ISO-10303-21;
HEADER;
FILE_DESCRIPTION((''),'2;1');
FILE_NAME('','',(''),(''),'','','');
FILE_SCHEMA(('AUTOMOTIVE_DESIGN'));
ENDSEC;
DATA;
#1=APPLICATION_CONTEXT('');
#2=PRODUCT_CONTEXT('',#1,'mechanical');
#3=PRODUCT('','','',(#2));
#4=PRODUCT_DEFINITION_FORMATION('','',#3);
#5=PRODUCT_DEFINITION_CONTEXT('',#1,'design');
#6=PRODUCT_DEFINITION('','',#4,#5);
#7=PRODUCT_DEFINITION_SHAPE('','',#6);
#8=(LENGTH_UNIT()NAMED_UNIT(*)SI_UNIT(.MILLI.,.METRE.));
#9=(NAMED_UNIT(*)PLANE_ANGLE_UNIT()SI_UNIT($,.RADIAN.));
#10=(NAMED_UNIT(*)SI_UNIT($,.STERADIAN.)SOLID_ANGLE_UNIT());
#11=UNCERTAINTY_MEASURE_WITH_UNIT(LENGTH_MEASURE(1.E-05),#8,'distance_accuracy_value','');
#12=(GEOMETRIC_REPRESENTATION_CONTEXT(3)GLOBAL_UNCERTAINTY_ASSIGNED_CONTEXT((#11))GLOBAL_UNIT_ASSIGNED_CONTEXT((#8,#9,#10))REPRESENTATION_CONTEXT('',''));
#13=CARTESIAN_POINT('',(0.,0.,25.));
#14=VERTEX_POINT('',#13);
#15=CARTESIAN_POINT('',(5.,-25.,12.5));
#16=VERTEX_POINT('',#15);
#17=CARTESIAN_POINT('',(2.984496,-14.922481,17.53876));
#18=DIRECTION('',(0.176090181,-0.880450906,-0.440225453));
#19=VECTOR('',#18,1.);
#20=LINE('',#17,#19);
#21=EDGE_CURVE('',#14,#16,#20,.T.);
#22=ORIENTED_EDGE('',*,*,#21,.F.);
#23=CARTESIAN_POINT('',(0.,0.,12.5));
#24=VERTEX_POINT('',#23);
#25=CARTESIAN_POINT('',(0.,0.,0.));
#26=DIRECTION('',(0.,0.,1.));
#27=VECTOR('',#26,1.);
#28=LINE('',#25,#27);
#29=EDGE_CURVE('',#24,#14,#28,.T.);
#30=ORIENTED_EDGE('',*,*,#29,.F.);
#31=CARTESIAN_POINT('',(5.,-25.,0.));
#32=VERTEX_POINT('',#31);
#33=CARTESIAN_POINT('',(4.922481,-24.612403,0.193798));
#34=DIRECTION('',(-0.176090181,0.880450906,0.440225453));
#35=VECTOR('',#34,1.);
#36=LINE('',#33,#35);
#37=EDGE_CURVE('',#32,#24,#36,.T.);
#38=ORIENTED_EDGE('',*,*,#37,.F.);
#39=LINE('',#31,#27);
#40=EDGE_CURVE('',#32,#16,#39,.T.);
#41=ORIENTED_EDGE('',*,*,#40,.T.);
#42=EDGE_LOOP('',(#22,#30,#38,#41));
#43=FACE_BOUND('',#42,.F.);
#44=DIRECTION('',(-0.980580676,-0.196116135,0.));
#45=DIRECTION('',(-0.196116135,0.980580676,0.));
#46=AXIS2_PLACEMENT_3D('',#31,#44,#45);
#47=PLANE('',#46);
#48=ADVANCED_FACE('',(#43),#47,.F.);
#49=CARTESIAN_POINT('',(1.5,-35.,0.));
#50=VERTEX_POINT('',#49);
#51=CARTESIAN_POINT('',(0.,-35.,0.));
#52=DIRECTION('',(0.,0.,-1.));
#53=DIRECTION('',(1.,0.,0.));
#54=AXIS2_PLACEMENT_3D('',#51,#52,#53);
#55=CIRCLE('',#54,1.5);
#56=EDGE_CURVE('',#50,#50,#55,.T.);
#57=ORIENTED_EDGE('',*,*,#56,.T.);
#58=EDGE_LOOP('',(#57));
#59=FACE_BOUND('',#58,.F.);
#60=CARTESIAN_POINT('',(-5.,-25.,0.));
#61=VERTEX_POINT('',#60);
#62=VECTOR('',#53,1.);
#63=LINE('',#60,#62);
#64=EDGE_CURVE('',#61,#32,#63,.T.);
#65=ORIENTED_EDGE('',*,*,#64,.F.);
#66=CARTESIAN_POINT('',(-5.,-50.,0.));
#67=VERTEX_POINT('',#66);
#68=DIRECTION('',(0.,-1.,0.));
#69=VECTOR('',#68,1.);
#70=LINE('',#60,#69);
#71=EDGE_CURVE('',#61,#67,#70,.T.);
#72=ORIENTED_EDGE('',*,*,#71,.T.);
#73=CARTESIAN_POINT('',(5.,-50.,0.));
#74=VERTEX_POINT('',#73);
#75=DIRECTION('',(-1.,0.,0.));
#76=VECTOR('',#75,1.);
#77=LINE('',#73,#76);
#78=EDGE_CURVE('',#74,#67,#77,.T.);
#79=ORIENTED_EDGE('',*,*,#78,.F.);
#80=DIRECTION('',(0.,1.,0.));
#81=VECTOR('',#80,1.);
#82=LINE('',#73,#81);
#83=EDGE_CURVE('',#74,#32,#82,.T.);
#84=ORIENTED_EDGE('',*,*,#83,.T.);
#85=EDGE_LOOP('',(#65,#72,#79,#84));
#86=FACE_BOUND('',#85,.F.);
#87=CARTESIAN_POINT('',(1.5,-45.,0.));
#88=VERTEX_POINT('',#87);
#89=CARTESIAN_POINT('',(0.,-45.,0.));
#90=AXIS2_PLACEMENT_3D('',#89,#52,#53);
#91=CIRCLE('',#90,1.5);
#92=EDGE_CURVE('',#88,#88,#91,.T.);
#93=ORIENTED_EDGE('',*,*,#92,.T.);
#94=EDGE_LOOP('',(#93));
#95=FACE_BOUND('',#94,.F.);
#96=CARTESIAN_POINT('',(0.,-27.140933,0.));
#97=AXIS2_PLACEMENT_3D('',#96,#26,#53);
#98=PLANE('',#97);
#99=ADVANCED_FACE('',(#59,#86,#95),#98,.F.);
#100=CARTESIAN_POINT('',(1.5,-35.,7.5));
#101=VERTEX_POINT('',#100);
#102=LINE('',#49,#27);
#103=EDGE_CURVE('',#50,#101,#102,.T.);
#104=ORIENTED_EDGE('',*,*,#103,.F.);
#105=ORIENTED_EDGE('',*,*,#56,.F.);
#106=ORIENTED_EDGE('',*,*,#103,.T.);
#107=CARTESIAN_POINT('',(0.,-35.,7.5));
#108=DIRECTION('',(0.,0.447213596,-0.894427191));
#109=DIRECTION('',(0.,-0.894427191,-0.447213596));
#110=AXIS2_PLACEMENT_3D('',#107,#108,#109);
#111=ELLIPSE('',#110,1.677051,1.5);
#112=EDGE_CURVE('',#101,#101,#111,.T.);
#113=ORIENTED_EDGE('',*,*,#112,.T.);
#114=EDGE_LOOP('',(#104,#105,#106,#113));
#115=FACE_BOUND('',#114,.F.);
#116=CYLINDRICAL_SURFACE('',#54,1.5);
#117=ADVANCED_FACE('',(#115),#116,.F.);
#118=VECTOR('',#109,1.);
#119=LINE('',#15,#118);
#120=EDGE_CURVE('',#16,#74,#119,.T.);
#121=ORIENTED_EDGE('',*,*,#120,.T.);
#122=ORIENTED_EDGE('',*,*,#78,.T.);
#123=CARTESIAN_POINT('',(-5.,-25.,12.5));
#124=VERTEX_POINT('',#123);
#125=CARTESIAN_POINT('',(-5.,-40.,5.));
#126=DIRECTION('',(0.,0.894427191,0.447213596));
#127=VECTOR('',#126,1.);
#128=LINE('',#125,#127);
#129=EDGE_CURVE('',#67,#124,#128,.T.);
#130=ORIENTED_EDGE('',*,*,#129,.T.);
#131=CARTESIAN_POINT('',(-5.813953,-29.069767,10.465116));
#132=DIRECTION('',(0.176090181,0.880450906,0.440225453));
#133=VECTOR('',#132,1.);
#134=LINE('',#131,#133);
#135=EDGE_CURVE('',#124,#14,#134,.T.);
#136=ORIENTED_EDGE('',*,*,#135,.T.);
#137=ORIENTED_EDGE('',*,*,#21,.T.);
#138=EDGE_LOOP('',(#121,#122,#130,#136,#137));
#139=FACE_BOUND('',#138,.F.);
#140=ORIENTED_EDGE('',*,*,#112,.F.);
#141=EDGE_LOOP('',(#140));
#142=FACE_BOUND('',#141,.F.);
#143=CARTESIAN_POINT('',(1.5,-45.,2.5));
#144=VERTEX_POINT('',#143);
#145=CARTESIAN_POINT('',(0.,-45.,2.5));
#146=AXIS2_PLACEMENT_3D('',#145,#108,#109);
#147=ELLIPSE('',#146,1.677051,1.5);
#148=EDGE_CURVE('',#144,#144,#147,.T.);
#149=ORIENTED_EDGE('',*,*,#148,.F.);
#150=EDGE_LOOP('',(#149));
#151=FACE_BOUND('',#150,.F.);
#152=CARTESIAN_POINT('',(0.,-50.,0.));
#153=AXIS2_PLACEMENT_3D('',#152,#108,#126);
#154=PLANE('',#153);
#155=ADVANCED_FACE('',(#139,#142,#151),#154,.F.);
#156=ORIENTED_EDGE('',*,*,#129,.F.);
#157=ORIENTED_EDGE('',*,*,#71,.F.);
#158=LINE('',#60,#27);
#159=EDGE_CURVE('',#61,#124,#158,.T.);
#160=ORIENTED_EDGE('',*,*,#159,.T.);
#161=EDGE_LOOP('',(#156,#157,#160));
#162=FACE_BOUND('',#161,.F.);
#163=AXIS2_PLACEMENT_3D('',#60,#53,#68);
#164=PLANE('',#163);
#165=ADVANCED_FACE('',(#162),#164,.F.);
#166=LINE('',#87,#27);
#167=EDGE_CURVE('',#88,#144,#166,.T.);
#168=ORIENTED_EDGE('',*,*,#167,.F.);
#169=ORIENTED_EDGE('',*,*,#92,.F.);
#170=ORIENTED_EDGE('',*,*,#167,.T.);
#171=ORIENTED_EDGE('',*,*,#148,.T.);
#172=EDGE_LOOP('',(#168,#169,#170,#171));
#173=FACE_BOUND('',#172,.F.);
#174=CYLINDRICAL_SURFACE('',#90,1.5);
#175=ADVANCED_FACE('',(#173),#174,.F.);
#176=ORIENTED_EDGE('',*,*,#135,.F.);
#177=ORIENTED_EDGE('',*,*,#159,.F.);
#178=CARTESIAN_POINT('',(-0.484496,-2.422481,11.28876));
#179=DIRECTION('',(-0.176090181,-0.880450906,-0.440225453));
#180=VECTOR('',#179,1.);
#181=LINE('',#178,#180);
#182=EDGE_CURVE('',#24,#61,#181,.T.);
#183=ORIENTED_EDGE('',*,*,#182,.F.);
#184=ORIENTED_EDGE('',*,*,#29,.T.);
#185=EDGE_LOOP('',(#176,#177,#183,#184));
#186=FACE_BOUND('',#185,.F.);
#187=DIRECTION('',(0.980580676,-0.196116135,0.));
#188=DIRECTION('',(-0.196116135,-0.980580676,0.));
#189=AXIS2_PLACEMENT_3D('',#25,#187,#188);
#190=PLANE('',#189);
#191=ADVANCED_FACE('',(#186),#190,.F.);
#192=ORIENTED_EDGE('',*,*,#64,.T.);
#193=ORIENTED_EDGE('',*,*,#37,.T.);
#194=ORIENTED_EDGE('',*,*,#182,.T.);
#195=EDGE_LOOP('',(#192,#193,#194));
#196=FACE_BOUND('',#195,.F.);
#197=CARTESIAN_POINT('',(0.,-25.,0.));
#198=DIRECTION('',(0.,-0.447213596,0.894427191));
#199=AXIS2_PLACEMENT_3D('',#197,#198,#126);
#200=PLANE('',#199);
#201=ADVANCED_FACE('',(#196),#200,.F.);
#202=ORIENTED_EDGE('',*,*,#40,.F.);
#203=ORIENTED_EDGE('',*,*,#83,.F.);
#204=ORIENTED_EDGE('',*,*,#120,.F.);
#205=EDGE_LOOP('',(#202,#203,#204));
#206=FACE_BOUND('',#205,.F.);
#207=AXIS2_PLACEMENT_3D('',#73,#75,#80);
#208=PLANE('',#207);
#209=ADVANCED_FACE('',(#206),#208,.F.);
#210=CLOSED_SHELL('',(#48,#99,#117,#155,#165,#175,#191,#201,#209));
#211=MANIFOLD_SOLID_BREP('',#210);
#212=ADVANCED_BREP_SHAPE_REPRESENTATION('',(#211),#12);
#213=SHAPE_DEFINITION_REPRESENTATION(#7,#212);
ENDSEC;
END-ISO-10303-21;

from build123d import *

# Parameters (mm, degrees)
F1_DEPTH = 25
F3_DEPTH = 5.001
F4_DEPTH = 5.001
F5_R     = 1.5
F6_DEPTH = 25.001


with BuildPart() as f1:
    # F0 (on Top) → F1 (new body)
    with BuildSketch(Plane.XY):
        Polygon((-5, -25), (-5, -50), (5, -50), (5, -25), (0, 0), align=None)
    extrude(amount=F1_DEPTH)

    # F2 (on Right) → F3 (cut, through all)
    with BuildSketch(Plane.YZ):
        Polygon((-50, 0), (0, 25), (-50, 25), align=None)
        Polygon((-25, 0), (0, 0), (0, 12.5), align=None)
    extrude(amount=-F3_DEPTH, mode=Mode.SUBTRACT)

    # F3_face (on face) → F4 (cut, through all)
    with BuildSketch(Plane(origin=(0, -33.333333, 16.666667), x_dir=(0, 1, 0), z_dir=(-1, 0, 0))):
        Polygon((33.333333, -8.333333), (-16.666667, 16.666667), (-16.666667, -8.333333), align=None)
        Polygon((33.333333, 16.666667), (8.333333, 16.666667), (33.333333, 4.166667), align=None)
    extrude(amount=-F4_DEPTH, mode=Mode.SUBTRACT)

    # F5 (on face) → F6 (cut, through all)
    with BuildSketch(Plane(origin=(0, 0, 0), x_dir=(1, 0, 0), z_dir=(0, 0, -1))):
        with Locations((0, 35)):
            Circle(F5_R)
        with Locations((0, 45)):
            Circle(F5_R)
    extrude(amount=-F6_DEPTH, mode=Mode.SUBTRACT)


solid = f1.part
